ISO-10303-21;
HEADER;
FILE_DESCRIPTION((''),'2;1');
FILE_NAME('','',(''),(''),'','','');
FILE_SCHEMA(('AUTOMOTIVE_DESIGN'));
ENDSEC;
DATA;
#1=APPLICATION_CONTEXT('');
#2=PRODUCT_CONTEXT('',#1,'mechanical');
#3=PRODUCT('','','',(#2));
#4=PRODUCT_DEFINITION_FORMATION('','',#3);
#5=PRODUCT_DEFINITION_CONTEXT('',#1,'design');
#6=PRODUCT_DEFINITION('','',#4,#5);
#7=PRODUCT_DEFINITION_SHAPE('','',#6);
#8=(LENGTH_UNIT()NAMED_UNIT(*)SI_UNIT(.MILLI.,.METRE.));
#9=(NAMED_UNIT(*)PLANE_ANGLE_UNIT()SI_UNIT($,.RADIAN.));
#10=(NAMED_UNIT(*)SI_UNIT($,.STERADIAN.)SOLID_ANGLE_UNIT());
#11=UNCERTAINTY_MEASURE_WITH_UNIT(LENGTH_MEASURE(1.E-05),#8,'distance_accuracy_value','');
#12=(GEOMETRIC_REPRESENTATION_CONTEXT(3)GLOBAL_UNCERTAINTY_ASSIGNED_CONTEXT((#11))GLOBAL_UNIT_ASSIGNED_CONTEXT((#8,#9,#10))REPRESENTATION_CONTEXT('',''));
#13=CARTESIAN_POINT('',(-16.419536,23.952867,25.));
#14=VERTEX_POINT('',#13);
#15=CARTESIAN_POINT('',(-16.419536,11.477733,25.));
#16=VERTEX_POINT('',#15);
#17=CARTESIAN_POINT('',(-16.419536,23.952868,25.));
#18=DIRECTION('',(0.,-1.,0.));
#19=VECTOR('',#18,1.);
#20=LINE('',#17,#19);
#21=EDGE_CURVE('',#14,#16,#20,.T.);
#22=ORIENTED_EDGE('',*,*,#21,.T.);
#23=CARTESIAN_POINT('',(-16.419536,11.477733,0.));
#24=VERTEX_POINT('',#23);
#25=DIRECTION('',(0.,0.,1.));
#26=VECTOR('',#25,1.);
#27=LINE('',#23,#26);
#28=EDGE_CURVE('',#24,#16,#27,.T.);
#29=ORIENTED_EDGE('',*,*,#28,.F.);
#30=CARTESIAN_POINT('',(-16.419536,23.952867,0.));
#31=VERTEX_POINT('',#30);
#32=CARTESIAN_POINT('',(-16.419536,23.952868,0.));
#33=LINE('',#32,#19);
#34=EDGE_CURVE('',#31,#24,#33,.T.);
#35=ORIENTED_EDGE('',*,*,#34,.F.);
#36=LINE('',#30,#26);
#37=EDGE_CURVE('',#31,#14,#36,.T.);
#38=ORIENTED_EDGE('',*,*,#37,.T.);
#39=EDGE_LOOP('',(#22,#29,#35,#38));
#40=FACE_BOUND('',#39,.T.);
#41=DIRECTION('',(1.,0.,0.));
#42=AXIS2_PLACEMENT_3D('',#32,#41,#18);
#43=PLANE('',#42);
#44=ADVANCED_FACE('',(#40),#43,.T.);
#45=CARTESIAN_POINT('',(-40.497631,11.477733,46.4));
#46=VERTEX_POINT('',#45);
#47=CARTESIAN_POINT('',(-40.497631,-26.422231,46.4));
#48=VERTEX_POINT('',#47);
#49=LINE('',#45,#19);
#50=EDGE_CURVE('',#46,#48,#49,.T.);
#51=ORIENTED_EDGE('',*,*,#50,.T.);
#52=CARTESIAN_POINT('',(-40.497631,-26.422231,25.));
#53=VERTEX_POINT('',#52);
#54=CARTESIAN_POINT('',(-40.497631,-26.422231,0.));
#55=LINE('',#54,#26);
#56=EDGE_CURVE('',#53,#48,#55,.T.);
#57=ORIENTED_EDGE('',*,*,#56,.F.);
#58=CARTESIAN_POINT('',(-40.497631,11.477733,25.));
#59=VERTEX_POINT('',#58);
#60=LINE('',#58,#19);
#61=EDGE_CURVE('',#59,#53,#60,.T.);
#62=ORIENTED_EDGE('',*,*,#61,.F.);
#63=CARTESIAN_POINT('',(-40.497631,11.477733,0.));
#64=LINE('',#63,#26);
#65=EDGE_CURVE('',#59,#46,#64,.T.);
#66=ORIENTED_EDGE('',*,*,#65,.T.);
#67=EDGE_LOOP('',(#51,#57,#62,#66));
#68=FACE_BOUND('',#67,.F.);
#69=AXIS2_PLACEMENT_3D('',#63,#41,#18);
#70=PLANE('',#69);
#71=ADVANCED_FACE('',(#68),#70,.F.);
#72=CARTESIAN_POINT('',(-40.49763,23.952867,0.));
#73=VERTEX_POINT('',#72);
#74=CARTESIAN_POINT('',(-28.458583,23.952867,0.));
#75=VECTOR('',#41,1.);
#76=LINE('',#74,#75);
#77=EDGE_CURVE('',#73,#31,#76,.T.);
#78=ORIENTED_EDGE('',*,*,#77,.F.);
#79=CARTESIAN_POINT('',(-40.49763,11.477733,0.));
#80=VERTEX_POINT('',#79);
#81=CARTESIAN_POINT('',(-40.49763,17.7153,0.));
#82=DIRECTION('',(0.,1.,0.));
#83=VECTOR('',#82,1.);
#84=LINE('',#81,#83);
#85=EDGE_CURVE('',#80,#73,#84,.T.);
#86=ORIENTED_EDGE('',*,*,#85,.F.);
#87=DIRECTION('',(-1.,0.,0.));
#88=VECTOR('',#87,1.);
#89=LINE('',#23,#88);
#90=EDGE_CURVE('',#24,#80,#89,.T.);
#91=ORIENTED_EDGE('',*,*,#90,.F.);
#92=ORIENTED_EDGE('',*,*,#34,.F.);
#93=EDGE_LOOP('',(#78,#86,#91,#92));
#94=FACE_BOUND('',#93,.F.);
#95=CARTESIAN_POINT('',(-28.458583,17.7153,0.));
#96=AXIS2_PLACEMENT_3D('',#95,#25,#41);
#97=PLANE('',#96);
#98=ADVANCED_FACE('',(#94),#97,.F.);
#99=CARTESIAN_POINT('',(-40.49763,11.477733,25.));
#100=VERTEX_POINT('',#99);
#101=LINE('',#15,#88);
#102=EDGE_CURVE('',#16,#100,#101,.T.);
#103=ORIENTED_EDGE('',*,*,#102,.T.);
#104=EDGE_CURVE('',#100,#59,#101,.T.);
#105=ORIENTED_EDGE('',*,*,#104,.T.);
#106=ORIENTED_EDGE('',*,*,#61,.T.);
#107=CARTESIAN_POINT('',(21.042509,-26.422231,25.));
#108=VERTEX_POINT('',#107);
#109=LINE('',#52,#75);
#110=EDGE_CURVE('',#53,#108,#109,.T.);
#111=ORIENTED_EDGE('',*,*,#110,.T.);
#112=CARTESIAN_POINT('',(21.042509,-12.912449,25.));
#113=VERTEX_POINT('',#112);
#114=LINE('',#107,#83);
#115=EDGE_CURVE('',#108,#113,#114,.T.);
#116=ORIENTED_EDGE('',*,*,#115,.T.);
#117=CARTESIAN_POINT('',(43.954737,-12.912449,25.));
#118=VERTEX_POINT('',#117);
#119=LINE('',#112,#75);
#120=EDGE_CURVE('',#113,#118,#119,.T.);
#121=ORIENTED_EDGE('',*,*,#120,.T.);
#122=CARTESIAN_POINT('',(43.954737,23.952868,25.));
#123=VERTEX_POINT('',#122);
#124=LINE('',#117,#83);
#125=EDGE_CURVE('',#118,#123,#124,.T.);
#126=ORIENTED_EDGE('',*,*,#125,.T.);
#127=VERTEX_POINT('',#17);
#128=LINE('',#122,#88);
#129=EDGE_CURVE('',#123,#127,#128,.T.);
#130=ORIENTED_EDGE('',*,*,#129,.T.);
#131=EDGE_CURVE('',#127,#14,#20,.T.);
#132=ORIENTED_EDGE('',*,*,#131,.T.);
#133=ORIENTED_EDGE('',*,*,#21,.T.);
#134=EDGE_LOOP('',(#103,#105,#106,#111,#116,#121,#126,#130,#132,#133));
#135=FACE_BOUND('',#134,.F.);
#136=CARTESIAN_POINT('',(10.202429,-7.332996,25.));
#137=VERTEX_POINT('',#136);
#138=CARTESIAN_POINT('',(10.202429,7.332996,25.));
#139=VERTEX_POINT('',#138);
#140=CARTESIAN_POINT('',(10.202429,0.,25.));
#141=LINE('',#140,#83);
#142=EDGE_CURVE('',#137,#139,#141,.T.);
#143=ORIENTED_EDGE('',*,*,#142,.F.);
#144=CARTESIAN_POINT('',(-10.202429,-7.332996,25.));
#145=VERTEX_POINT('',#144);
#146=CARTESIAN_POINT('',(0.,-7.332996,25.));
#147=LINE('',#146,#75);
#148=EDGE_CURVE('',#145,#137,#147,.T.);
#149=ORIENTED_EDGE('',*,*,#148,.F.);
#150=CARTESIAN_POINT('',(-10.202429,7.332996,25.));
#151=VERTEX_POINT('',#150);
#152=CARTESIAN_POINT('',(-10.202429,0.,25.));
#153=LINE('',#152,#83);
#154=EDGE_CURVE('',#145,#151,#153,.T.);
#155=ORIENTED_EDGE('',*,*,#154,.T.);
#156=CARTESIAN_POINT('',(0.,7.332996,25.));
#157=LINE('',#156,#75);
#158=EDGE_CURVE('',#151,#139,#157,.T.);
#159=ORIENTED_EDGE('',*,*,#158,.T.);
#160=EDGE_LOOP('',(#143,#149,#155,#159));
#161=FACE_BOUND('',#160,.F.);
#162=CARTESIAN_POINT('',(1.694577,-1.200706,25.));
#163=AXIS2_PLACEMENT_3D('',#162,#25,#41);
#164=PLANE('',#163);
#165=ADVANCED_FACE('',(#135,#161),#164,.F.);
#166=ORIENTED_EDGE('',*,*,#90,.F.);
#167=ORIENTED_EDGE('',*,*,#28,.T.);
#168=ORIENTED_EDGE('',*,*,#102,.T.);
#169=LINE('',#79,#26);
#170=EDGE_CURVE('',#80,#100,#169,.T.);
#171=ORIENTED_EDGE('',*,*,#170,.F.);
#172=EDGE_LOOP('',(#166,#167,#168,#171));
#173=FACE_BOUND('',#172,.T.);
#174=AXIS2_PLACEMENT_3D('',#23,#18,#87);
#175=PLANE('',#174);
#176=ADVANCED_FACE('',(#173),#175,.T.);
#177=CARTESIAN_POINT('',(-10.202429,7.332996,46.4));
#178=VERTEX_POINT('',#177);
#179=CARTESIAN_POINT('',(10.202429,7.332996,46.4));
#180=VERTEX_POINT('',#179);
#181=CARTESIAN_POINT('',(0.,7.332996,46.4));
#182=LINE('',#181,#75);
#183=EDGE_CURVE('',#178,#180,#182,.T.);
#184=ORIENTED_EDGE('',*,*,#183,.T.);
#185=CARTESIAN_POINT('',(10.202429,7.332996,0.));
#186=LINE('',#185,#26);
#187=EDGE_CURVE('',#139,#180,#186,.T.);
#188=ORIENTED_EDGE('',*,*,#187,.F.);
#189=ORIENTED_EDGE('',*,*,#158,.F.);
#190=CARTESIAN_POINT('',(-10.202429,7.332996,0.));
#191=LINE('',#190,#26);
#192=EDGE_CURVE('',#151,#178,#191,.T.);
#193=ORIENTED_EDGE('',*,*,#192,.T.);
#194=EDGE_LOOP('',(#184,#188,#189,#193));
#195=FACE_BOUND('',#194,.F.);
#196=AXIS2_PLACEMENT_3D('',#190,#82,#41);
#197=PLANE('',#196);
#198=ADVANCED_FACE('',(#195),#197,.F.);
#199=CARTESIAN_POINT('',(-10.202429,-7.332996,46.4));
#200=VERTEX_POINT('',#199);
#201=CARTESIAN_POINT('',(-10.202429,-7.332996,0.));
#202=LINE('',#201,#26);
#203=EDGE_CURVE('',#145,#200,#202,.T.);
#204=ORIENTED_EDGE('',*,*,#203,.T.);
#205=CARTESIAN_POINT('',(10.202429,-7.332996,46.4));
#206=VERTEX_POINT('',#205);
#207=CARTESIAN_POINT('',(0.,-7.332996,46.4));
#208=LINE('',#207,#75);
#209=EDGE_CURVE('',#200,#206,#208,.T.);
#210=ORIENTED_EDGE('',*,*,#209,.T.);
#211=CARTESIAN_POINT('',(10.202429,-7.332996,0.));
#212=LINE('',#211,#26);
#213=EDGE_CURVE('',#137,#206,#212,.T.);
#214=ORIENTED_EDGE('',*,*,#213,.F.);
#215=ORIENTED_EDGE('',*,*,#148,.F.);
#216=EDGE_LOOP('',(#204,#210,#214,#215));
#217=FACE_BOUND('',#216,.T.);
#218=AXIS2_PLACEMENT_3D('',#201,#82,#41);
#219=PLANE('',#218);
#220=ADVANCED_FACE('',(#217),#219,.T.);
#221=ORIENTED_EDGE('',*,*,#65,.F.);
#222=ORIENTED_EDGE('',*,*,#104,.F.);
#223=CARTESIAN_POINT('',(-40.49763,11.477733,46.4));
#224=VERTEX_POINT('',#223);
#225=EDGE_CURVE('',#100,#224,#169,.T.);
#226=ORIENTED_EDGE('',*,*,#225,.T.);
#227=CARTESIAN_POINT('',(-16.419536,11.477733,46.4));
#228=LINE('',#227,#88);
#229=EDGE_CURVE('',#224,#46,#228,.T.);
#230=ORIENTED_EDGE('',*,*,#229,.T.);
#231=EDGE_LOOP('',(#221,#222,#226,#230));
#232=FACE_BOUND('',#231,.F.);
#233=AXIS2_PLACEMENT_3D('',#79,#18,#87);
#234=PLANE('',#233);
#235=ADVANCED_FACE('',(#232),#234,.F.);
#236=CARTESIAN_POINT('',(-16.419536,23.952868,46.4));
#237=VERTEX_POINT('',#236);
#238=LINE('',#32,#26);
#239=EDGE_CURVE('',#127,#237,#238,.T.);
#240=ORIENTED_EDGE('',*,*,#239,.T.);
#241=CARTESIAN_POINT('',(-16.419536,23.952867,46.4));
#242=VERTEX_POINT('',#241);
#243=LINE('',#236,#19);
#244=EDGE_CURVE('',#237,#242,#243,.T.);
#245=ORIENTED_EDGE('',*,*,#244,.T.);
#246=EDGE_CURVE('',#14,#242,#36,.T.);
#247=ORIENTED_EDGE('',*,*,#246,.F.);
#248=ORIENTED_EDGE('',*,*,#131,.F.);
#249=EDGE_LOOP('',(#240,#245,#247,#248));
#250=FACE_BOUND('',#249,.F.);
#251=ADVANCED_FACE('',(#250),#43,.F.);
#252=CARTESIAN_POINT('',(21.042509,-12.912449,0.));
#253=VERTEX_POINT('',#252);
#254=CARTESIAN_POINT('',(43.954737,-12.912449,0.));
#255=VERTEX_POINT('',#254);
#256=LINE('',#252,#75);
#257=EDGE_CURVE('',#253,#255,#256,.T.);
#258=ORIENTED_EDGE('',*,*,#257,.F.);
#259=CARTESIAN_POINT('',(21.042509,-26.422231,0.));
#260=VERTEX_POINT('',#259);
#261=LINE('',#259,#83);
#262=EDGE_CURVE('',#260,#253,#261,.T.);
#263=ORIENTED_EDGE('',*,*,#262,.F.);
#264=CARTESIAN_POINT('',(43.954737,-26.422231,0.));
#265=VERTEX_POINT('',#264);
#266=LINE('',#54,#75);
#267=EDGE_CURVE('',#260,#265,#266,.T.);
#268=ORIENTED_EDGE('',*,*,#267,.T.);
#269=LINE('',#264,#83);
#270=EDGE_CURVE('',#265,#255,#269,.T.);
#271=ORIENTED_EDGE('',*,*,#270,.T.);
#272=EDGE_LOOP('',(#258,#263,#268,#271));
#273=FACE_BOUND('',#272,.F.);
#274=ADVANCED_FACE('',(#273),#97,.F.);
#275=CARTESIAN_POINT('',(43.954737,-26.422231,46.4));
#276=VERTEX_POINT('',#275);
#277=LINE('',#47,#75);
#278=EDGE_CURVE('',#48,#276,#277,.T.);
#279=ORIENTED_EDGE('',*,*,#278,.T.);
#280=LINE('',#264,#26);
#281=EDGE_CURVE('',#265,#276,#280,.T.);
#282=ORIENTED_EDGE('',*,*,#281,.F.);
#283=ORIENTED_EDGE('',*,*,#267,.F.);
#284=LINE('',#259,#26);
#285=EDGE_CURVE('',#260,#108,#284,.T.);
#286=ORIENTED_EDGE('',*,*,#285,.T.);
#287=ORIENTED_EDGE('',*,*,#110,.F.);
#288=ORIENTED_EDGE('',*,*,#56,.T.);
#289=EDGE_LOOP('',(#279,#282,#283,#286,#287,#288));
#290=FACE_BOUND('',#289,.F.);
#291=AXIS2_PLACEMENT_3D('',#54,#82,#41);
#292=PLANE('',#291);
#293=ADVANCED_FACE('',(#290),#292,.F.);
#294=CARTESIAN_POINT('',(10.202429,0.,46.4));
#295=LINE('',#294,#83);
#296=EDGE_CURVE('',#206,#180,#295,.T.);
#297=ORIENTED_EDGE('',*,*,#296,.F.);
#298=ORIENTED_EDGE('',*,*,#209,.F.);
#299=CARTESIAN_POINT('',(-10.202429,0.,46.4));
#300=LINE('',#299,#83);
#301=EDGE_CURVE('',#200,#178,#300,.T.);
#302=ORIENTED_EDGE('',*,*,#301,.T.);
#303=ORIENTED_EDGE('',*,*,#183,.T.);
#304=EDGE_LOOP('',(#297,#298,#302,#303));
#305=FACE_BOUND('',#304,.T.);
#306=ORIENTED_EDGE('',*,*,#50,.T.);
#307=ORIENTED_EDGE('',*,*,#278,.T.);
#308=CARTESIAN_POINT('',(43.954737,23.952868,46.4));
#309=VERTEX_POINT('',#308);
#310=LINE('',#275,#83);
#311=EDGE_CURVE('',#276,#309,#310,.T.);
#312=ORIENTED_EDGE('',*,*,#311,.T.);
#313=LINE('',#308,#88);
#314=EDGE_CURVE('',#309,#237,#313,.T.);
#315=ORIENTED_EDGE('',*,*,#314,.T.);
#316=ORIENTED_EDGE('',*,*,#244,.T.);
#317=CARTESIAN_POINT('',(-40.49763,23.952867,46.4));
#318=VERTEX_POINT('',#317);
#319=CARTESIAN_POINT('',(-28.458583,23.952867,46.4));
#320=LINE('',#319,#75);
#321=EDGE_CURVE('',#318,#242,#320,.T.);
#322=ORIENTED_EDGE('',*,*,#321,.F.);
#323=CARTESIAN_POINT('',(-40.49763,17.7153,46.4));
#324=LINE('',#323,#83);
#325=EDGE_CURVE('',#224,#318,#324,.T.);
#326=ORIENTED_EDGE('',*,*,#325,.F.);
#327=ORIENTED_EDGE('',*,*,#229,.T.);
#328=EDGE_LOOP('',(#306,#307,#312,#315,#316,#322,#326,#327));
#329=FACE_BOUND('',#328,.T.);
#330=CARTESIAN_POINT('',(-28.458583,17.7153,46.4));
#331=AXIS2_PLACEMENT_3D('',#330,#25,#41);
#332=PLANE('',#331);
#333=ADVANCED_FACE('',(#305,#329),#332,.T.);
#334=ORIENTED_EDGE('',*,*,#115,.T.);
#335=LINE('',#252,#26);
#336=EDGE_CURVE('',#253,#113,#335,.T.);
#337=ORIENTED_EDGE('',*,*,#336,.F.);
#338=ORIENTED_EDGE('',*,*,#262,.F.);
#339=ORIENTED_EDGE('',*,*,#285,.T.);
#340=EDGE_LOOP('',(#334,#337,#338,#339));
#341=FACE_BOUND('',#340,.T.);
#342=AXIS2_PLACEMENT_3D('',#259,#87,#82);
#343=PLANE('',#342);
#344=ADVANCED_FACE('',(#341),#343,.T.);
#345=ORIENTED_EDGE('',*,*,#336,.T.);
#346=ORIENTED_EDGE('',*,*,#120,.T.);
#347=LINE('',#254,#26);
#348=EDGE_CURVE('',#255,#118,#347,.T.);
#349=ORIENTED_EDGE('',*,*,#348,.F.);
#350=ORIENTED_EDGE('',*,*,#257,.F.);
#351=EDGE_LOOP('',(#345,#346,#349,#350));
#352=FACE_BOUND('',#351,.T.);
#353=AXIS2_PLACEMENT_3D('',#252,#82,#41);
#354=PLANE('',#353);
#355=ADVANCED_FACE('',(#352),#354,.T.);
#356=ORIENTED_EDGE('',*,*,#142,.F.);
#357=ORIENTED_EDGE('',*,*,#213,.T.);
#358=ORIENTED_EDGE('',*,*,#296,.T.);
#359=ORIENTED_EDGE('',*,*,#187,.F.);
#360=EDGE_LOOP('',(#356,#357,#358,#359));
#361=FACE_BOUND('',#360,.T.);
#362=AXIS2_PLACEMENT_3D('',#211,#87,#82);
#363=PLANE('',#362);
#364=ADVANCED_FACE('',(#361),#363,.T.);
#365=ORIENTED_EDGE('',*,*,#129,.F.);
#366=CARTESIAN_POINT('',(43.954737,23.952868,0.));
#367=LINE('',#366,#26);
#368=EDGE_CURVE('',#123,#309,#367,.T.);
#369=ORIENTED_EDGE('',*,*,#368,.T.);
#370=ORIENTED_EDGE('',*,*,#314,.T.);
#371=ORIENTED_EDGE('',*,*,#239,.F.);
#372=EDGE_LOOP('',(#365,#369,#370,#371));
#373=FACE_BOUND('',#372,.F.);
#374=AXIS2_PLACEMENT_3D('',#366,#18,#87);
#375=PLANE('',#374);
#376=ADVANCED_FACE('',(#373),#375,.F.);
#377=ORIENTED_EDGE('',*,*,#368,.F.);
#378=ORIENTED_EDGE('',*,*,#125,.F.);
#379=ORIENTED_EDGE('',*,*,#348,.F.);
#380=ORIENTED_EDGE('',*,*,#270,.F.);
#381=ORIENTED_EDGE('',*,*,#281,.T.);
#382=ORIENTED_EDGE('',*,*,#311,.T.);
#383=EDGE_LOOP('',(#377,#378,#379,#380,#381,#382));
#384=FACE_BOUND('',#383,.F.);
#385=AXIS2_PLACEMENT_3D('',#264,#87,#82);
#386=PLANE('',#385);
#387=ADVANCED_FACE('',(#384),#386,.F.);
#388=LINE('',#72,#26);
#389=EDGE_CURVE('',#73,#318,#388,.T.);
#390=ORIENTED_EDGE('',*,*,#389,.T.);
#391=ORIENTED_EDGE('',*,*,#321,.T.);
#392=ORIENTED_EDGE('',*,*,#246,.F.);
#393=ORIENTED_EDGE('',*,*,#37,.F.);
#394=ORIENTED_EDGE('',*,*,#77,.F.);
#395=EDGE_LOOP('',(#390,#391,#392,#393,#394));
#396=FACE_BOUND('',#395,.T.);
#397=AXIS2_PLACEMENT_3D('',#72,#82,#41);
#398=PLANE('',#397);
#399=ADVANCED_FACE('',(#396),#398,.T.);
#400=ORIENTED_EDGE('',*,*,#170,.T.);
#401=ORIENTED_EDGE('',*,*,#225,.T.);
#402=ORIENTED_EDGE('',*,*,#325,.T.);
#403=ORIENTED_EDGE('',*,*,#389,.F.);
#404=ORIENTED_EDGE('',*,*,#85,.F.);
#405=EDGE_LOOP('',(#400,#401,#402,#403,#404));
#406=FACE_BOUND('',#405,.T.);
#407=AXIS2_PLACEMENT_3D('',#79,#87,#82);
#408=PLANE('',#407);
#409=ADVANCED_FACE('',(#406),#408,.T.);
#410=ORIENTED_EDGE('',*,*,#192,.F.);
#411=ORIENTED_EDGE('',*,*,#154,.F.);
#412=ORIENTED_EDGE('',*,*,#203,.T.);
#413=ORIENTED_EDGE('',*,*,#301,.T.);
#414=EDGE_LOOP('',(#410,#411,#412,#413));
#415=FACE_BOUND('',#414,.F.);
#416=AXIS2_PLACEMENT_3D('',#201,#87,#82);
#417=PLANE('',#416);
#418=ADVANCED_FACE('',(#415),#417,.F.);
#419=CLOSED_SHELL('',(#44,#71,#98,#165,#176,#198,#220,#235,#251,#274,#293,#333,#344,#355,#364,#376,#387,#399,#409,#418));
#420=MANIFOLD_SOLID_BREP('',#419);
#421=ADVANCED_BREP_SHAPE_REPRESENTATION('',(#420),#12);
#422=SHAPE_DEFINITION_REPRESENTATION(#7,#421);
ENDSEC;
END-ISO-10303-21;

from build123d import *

# Parameters (mm, degrees)
F0_W     = 24.078095
F0_H     = 12.475135
F0_W_2   = 22.912228
F0_H_2   = 13.509782
F0_W_3   = 20.404858
F0_H_3   = 14.665992
F1_DEPTH = 46.4
F2_DEPTH = 25


with BuildPart() as f1:
    # F0 (on Top) → F1 (new body)
    with BuildSketch(Plane.XY):
        with Locations((-28.458583, 17.7153)):
            Rectangle(F0_W, F0_H)
        with Locations((32.498623, -19.66734)):
            Rectangle(F0_W_2, F0_H_2)
        Polygon((43.954737, 23.952868), (-16.419536, 23.952868), (-16.419536, 11.477733), (-40.497631, 11.477733), (-40.497631, -26.422231), (21.042509, -26.422231), (21.042509, -12.912449), (43.954737, -12.912449), align=None)
        Rectangle(F0_W_3, F0_H_3, mode=Mode.SUBTRACT)
    extrude(amount=F1_DEPTH)

    # F0 (on Top) → F2 (cut)
    with BuildSketch(Plane.XY):
        Polygon((43.954737, 23.952868), (-16.419536, 23.952868), (-16.419536, 11.477733), (-40.497631, 11.477733), (-40.497631, -26.422231), (21.042509, -26.422231), (21.042509, -12.912449), (43.954737, -12.912449), align=None)
        Rectangle(F0_W_3, F0_H_3, mode=Mode.SUBTRACT)
    extrude(amount=F2_DEPTH, mode=Mode.SUBTRACT)


solid = f1.part
